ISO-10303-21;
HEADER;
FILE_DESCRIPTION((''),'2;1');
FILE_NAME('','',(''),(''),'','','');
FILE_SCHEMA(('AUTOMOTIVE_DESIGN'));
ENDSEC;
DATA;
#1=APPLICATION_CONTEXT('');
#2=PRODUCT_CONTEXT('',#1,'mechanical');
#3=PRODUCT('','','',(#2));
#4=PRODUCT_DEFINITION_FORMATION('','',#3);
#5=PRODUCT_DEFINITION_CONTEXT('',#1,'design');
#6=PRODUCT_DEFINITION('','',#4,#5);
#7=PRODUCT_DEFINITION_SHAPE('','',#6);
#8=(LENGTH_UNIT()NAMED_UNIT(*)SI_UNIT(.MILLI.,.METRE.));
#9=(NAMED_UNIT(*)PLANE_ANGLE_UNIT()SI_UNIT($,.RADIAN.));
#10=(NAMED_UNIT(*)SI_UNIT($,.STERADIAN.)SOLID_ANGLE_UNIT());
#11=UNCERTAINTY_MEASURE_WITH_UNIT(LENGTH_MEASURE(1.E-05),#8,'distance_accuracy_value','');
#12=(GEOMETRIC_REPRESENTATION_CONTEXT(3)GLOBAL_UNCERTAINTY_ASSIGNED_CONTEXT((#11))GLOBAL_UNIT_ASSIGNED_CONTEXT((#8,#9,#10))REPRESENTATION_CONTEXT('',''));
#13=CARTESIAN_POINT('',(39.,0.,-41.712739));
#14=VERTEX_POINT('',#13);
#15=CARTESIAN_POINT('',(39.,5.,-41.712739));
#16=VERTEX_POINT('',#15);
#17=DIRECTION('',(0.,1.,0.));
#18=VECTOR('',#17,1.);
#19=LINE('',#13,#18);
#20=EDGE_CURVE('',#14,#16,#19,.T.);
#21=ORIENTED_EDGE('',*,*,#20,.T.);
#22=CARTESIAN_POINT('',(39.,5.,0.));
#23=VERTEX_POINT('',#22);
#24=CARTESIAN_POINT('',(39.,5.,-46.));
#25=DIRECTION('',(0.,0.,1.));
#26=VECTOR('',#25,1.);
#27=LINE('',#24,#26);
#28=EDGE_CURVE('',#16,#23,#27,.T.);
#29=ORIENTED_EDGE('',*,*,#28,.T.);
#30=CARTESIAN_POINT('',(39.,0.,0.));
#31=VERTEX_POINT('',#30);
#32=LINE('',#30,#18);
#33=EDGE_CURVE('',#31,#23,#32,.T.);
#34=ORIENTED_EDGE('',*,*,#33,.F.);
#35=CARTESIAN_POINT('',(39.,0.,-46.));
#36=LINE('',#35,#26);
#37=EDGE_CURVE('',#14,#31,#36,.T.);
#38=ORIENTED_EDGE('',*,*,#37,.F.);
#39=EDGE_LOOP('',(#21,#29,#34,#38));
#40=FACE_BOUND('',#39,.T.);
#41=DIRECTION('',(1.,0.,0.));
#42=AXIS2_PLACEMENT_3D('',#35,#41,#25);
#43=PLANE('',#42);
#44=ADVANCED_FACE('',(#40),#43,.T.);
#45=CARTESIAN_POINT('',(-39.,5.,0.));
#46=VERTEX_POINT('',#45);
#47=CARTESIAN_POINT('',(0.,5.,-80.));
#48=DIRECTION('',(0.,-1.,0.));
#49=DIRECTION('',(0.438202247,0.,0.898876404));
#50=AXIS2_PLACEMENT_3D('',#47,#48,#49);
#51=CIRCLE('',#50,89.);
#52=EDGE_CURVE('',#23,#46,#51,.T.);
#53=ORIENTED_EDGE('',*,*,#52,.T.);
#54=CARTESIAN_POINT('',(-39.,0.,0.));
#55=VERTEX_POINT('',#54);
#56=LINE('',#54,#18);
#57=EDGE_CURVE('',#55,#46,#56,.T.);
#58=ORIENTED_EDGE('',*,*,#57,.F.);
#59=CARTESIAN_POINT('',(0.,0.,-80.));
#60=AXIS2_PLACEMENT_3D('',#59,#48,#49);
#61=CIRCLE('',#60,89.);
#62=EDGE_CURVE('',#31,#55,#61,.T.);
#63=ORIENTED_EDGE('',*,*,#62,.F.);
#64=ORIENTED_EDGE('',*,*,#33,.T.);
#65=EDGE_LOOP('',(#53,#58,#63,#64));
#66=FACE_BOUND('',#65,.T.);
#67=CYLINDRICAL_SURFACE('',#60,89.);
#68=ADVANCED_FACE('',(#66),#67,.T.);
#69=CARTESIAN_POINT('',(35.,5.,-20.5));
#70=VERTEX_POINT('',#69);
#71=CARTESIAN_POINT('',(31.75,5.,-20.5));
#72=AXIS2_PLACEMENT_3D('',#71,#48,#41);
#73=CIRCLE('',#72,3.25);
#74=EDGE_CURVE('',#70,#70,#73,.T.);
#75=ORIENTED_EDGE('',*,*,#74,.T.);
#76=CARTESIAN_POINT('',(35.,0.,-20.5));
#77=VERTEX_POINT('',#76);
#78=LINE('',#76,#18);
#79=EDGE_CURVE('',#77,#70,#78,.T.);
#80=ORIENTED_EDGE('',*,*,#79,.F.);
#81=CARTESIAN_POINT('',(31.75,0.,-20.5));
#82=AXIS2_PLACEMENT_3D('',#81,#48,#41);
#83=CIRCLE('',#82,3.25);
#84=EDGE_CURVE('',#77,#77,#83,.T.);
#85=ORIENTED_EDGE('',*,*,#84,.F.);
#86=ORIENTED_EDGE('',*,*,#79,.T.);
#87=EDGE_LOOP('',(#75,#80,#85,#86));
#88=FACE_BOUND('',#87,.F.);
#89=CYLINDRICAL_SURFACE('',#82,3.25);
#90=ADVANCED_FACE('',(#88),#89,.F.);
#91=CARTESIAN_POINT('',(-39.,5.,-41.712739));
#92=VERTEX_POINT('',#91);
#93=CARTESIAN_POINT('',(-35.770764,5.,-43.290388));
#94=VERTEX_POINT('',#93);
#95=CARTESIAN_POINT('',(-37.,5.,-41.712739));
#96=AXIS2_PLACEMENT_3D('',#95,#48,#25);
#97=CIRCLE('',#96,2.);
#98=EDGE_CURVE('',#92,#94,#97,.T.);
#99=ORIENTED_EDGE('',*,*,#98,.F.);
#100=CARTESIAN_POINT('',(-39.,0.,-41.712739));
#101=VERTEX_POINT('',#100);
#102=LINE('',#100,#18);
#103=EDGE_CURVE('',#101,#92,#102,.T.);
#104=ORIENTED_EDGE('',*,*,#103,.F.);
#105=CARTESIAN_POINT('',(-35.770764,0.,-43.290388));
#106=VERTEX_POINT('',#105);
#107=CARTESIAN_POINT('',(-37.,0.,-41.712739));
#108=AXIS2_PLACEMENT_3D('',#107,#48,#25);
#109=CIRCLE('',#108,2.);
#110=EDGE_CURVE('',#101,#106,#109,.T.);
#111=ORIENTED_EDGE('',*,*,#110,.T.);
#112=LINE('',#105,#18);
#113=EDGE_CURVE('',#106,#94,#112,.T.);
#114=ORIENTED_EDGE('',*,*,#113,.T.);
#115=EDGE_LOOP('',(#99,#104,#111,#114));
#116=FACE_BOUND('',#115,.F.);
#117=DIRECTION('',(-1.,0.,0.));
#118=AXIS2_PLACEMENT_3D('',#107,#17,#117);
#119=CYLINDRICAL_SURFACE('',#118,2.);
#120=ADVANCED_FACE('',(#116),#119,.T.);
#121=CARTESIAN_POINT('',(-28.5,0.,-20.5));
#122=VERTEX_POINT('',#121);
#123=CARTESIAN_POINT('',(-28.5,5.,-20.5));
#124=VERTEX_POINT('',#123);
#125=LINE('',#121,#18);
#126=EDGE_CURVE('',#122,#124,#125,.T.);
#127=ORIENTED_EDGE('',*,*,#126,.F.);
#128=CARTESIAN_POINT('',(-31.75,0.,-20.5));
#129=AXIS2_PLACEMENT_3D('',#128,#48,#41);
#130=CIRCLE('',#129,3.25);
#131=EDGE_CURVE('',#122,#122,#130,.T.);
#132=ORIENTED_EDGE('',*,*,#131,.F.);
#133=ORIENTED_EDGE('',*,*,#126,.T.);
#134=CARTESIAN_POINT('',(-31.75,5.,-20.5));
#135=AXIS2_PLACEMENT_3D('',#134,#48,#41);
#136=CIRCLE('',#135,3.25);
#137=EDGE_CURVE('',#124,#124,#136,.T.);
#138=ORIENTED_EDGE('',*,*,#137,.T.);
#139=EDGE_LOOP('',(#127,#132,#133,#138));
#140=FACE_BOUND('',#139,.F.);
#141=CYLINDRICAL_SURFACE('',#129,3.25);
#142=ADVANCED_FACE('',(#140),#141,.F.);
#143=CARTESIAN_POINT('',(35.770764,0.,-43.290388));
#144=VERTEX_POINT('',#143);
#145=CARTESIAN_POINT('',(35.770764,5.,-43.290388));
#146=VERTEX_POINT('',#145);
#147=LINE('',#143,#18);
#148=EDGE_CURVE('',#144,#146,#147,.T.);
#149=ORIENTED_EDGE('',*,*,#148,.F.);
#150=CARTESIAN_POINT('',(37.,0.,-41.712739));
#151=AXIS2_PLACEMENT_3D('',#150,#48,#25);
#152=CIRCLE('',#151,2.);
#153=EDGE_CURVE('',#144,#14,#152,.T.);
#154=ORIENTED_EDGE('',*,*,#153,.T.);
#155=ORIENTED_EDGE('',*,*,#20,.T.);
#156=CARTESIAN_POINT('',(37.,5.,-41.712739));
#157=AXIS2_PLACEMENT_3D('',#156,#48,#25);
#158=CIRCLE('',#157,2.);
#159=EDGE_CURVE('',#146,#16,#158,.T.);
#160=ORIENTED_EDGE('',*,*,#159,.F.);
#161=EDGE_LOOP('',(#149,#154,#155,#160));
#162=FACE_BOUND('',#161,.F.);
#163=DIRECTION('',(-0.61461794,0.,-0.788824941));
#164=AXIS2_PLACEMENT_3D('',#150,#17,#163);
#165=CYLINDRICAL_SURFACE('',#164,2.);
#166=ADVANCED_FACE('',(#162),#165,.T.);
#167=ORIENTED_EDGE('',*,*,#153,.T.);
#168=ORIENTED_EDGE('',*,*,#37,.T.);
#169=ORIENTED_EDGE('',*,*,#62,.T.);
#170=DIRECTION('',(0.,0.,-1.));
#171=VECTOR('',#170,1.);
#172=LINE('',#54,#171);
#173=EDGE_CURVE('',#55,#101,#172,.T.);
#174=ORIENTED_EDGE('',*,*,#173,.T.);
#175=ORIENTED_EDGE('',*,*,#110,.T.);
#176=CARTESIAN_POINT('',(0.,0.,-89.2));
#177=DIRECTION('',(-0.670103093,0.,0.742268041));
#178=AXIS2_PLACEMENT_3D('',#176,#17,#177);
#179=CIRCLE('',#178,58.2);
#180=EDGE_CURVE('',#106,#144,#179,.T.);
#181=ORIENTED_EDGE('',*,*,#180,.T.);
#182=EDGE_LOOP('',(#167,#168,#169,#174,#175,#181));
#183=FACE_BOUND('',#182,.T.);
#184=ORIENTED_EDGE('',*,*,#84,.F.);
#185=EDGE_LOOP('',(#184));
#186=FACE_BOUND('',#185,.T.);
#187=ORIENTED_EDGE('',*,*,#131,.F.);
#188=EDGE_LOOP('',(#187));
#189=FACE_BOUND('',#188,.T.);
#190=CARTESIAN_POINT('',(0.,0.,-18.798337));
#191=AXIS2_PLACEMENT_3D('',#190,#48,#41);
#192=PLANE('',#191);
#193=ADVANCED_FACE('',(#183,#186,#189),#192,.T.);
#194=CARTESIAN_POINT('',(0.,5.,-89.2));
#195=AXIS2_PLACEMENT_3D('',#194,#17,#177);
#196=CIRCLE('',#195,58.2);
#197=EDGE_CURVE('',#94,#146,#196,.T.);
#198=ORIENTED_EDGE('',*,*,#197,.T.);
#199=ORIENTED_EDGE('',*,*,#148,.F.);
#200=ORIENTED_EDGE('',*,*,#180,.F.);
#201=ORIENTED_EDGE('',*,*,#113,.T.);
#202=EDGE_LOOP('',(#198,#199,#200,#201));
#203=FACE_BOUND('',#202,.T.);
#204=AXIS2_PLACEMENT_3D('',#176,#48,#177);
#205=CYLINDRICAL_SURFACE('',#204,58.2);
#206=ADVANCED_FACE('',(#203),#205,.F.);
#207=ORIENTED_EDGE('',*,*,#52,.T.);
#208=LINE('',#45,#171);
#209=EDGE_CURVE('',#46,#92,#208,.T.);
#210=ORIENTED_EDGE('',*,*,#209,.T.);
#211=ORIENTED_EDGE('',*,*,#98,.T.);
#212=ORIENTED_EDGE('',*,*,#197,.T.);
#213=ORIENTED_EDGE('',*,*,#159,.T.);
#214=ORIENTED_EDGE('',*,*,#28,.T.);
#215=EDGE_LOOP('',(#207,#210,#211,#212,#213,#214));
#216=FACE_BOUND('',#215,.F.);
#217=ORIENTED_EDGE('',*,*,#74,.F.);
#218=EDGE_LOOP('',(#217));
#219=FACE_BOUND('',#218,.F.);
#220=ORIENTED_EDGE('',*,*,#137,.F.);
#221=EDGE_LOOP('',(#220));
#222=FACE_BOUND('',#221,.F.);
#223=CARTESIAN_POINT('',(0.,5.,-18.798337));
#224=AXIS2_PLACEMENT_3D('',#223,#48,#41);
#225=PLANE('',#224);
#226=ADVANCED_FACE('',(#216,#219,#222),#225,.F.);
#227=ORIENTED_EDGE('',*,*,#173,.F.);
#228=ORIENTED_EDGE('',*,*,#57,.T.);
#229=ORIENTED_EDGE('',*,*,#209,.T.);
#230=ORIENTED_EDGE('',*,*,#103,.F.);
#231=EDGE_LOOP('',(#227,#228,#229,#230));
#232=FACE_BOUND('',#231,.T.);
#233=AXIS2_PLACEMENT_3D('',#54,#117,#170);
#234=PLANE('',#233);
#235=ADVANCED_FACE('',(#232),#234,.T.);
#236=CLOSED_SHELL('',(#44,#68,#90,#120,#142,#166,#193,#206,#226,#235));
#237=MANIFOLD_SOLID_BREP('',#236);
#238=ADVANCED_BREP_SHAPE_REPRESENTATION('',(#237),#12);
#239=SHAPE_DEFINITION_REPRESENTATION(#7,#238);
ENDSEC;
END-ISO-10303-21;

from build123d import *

# Parameters (mm, degrees)
F0_R     = 3.25
F1_DEPTH = 5
F2_R     = 2


with BuildPart() as f1:
    # F0 (on Front) → F1 (new body)
    with BuildSketch(Plane.XZ):
        with BuildLine():
            Line((-39, 0), (-39, -46))
            ThreePointArc((-39, -46), (0, -31), (39, -46))
            Line((39, -46), (39, 0))
            ThreePointArc((39, 0), (0, 9), (-39, 0))
        make_face()
        with Locations((-31.75, -20.5)):
            Circle(F0_R, mode=Mode.SUBTRACT)
        with Locations((31.75, -20.5)):
            Circle(F0_R, mode=Mode.SUBTRACT)
    extrude(amount=-F1_DEPTH)

    # F2
    f2_edges = [f1.edges().sort_by_distance(p)[0] for p in [
        (-39, 2.5, -46),
        (39, 2.5, -46),
    ]]
    fillet(f2_edges, radius=F2_R)


solid = f1.part
